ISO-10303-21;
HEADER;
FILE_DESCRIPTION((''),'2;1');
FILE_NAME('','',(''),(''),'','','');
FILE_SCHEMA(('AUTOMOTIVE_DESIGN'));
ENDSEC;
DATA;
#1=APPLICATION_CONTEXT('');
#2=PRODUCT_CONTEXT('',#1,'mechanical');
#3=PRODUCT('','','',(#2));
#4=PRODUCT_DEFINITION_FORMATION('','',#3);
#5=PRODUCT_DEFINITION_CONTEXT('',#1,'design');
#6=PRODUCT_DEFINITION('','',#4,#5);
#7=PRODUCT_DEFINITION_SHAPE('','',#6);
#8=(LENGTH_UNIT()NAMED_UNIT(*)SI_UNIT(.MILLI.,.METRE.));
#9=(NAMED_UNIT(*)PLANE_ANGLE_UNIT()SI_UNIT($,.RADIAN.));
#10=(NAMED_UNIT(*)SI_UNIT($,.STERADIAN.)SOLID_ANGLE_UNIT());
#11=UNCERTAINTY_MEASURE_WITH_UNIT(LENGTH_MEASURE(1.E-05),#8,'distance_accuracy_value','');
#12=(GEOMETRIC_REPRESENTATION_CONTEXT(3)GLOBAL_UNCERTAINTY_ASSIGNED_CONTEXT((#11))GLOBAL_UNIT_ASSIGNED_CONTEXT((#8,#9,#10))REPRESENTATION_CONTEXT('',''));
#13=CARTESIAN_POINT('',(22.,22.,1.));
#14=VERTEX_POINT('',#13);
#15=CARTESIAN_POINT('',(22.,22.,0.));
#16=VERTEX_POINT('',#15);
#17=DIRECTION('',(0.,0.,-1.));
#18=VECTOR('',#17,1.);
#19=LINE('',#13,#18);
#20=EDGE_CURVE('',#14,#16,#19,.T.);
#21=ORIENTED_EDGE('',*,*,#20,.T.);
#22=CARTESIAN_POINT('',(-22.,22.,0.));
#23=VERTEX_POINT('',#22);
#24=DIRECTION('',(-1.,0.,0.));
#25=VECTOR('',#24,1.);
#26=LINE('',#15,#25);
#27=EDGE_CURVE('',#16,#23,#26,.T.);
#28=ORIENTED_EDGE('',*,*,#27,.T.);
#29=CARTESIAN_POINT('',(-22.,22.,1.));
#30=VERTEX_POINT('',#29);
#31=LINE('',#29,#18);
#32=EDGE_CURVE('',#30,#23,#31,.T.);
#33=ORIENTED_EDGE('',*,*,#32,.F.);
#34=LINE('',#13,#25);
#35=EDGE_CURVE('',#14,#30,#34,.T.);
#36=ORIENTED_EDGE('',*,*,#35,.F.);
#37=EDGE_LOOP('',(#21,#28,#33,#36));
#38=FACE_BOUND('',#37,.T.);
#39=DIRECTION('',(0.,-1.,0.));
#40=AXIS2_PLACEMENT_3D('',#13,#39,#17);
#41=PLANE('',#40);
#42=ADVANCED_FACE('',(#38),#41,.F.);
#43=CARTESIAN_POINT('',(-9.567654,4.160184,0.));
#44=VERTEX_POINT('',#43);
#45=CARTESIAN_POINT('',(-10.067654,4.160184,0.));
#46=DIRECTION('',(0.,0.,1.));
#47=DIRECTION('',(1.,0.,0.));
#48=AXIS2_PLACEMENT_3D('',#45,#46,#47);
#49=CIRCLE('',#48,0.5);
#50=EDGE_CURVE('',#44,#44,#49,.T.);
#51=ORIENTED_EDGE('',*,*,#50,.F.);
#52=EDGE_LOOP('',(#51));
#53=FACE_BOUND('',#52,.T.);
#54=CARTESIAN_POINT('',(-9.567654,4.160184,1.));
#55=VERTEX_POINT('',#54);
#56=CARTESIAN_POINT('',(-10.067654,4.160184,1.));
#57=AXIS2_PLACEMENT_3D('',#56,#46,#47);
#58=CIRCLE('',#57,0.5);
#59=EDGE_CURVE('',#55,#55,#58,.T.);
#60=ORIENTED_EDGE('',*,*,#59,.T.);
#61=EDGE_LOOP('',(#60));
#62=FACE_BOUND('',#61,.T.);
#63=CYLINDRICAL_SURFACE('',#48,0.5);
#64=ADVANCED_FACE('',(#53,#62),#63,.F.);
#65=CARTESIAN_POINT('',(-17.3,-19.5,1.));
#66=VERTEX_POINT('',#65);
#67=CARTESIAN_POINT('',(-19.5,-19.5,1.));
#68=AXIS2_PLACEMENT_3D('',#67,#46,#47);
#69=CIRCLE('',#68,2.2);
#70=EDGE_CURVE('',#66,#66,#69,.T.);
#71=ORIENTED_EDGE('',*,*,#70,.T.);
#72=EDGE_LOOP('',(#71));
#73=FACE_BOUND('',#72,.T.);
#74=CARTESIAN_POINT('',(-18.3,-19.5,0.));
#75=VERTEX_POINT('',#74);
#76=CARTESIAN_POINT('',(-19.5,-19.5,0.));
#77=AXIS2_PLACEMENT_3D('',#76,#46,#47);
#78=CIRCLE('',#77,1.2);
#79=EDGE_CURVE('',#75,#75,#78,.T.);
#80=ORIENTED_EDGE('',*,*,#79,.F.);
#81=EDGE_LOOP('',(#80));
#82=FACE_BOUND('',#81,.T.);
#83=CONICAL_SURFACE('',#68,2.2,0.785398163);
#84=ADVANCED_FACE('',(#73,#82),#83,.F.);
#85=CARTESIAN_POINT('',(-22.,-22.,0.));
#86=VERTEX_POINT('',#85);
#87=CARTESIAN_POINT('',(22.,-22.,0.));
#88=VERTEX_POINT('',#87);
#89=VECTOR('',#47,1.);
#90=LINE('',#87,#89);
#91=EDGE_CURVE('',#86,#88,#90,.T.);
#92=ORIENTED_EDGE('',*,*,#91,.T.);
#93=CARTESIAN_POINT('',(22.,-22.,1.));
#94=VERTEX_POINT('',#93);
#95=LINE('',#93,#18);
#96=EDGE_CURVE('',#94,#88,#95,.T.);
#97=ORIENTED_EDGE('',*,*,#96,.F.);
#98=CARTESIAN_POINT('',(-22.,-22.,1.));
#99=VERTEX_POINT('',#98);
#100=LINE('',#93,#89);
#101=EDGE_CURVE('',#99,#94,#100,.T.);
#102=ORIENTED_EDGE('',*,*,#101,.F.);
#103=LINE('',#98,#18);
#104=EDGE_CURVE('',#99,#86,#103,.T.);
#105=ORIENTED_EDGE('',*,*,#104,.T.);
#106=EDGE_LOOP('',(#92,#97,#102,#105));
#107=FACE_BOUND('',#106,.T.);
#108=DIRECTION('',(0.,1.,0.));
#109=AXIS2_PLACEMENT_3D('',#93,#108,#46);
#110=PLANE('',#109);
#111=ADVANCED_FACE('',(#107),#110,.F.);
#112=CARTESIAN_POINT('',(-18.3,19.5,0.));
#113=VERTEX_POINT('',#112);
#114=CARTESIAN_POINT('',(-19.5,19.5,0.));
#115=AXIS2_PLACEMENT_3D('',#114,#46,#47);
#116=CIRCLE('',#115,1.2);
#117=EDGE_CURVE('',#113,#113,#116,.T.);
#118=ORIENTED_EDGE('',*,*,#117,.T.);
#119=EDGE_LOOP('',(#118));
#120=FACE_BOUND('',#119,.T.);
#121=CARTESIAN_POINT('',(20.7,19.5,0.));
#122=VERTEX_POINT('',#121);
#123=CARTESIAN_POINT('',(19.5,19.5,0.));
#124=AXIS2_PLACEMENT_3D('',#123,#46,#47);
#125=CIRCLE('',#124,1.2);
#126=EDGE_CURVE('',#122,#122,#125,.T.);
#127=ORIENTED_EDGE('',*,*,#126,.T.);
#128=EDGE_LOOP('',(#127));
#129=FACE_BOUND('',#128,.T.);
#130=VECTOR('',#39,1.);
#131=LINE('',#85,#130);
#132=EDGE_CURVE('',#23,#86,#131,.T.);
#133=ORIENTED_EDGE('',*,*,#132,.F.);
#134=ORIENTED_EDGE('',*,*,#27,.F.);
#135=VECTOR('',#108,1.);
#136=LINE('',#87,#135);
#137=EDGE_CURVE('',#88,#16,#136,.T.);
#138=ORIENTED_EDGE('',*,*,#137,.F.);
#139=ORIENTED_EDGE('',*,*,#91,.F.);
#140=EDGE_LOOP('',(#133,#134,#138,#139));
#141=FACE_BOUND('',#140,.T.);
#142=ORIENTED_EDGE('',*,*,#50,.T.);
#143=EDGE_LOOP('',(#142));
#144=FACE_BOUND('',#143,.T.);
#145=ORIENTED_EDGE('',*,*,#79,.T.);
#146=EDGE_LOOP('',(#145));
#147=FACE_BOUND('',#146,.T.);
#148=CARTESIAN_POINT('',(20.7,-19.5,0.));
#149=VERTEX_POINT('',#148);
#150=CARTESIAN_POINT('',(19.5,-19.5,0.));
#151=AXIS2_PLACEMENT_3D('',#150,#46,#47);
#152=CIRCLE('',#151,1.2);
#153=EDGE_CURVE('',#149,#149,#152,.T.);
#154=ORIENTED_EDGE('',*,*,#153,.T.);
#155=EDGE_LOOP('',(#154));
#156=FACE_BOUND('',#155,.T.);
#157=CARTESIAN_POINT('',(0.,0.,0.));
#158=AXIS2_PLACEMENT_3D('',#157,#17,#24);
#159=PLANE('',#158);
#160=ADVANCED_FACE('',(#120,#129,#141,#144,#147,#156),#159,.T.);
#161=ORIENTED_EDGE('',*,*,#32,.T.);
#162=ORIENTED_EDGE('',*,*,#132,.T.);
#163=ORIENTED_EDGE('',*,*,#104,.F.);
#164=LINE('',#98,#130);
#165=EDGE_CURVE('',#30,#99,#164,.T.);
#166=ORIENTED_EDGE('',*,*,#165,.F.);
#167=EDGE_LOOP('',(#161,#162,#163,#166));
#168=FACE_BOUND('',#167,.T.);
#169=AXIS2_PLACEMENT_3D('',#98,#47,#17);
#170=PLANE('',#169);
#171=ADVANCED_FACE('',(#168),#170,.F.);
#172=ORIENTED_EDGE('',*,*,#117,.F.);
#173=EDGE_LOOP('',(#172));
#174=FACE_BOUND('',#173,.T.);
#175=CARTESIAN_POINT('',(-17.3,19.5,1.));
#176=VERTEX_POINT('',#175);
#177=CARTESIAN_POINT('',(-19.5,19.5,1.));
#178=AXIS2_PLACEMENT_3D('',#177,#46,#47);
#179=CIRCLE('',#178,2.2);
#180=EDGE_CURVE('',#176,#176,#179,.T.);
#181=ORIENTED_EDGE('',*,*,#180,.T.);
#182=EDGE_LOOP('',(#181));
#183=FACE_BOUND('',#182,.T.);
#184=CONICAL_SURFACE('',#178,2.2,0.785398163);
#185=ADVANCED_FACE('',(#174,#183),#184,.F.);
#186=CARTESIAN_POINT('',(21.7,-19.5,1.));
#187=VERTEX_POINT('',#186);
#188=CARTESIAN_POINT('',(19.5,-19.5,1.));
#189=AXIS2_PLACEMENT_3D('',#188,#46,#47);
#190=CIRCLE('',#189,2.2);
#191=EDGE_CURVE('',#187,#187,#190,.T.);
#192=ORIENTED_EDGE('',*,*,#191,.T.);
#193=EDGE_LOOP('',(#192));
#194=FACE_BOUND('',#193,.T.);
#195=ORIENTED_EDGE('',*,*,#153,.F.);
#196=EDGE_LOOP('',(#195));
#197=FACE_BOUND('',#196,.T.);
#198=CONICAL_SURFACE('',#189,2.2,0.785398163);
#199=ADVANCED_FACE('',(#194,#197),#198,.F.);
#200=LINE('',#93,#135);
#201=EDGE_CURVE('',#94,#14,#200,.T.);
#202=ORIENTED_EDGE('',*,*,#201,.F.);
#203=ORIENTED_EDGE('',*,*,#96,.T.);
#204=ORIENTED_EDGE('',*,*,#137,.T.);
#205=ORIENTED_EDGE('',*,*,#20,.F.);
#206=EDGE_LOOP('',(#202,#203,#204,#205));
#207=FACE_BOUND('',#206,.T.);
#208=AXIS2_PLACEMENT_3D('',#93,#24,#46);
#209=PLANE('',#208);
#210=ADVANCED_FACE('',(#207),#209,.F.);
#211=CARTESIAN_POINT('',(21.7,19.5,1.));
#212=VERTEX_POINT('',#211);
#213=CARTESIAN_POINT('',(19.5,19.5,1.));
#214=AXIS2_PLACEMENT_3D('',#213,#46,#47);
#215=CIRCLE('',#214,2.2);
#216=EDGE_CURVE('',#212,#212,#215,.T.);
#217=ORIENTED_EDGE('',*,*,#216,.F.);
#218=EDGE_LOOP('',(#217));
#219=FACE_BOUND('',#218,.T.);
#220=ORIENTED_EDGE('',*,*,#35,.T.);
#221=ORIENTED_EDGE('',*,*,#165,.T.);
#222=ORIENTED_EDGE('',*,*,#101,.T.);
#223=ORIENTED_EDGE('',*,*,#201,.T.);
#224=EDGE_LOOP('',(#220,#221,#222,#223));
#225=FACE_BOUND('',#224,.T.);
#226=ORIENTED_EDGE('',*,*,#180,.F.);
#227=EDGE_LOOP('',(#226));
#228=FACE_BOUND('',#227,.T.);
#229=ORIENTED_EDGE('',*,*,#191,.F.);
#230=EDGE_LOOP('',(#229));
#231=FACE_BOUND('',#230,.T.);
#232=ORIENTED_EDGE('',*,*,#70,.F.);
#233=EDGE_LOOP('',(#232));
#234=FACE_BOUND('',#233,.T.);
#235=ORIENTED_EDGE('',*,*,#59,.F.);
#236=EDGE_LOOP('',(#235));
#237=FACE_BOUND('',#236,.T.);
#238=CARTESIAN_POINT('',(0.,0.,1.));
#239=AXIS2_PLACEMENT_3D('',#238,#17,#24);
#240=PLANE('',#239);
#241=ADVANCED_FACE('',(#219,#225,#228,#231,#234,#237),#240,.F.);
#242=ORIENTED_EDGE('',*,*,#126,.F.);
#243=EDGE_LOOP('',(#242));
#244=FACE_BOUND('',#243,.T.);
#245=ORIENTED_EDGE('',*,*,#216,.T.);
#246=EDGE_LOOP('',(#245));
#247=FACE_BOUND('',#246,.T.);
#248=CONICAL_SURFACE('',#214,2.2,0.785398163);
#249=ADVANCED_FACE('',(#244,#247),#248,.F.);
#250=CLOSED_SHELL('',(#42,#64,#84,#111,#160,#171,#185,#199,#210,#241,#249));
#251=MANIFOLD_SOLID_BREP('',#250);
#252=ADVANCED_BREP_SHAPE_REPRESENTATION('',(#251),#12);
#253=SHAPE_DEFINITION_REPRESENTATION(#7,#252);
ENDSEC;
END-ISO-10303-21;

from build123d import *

# Parameters (mm, degrees)
ESQUISSE3_W                                 = 44
ESQUISSE3_H                                 = 44
BOSS_EXTRU_1_DEPTH                          = 1
SKETCH_HOLES_R                              = 0.5
CUT_EXTRUDE_HOLES_DEPTH                     = 2
FRAISAGE_POUR_VIS_T_TE_FRAIS_E_M21_AT_COUNT = 2
FRAISAGE_POUR_VIS_T_TE_FRAIS_E_M21_AT_PITCH = 39
FRAISAGE_POUR_VIS_T_TE_FRAIS_E_M21_2_COUNT  = 2
FRAISAGE_POUR_VIS_T_TE_FRAIS_E_M21_2_PITCH  = 55.154328933
FRAISAGE_POUR_VIS_T_TE_FRAIS_E_M21_3_COUNT  = 2
FRAISAGE_POUR_VIS_T_TE_FRAIS_E_M21_3_PITCH  = 39


with BuildPart() as part:
    # Esquisse3 → Boss.-Extru.1 (new body)
    with BuildSketch(Plane(origin=(0, 0, 0), x_dir=(0, 1, 0), z_dir=(0, 0, 1))):
        Rectangle(ESQUISSE3_W, ESQUISSE3_H)
    extrude(amount=BOSS_EXTRU_1_DEPTH)

    # Sketch_Holes → Cut_Extrude_Holes (cut, through all)
    with BuildSketch(Plane.XY.offset(1)):
        with Locations((-10.067654011, 4.160184375)):
            Circle(SKETCH_HOLES_R)
    extrude(amount=-CUT_EXTRUDE_HOLES_DEPTH, mode=Mode.SUBTRACT)

    # Esquisse5 → Fraisage pour vis à tête fraisée M21 (revolve, cut)
    with BuildSketch(Plane(origin=(19.5, -19.5, 1), x_dir=(0, -1, 0), z_dir=(1, 0, 0))):
        Polygon((0, 0), (0, 2), (1.2, 2), (1.2, 1), (2.2, 0), align=None)
    fraisage_pour_vis_t_te_frais_e_m21 = revolve(axis=Axis((19.5, -19.5, 7.35), (0, 0, -1)), mode=Mode.SUBTRACT)

    # Fraisage pour vis à tête fraisée M21 at: Fraisage pour vis à tête fraisée M21 ×2
    with Locations(*[(-i * FRAISAGE_POUR_VIS_T_TE_FRAIS_E_M21_AT_PITCH, 0, 0) for i in range(1, FRAISAGE_POUR_VIS_T_TE_FRAIS_E_M21_AT_COUNT)]):
        add(fraisage_pour_vis_t_te_frais_e_m21, mode=Mode.SUBTRACT)

    # Fraisage pour vis _ t_te frais_e M21 2: Fraisage pour vis à tête fraisée M21 ×2
    with Locations(*[Vector(-0.707106781, 0.707106781, 0) * (i * FRAISAGE_POUR_VIS_T_TE_FRAIS_E_M21_2_PITCH) for i in range(1, FRAISAGE_POUR_VIS_T_TE_FRAIS_E_M21_2_COUNT)]):
        add(fraisage_pour_vis_t_te_frais_e_m21, mode=Mode.SUBTRACT)

    # Fraisage pour vis _ t_te frais_e M21 3: Fraisage pour vis à tête fraisée M21 ×2
    with Locations(*[(0, i * FRAISAGE_POUR_VIS_T_TE_FRAIS_E_M21_3_PITCH, 0) for i in range(1, FRAISAGE_POUR_VIS_T_TE_FRAIS_E_M21_3_COUNT)]):
        add(fraisage_pour_vis_t_te_frais_e_m21, mode=Mode.SUBTRACT)


solid = part.part
